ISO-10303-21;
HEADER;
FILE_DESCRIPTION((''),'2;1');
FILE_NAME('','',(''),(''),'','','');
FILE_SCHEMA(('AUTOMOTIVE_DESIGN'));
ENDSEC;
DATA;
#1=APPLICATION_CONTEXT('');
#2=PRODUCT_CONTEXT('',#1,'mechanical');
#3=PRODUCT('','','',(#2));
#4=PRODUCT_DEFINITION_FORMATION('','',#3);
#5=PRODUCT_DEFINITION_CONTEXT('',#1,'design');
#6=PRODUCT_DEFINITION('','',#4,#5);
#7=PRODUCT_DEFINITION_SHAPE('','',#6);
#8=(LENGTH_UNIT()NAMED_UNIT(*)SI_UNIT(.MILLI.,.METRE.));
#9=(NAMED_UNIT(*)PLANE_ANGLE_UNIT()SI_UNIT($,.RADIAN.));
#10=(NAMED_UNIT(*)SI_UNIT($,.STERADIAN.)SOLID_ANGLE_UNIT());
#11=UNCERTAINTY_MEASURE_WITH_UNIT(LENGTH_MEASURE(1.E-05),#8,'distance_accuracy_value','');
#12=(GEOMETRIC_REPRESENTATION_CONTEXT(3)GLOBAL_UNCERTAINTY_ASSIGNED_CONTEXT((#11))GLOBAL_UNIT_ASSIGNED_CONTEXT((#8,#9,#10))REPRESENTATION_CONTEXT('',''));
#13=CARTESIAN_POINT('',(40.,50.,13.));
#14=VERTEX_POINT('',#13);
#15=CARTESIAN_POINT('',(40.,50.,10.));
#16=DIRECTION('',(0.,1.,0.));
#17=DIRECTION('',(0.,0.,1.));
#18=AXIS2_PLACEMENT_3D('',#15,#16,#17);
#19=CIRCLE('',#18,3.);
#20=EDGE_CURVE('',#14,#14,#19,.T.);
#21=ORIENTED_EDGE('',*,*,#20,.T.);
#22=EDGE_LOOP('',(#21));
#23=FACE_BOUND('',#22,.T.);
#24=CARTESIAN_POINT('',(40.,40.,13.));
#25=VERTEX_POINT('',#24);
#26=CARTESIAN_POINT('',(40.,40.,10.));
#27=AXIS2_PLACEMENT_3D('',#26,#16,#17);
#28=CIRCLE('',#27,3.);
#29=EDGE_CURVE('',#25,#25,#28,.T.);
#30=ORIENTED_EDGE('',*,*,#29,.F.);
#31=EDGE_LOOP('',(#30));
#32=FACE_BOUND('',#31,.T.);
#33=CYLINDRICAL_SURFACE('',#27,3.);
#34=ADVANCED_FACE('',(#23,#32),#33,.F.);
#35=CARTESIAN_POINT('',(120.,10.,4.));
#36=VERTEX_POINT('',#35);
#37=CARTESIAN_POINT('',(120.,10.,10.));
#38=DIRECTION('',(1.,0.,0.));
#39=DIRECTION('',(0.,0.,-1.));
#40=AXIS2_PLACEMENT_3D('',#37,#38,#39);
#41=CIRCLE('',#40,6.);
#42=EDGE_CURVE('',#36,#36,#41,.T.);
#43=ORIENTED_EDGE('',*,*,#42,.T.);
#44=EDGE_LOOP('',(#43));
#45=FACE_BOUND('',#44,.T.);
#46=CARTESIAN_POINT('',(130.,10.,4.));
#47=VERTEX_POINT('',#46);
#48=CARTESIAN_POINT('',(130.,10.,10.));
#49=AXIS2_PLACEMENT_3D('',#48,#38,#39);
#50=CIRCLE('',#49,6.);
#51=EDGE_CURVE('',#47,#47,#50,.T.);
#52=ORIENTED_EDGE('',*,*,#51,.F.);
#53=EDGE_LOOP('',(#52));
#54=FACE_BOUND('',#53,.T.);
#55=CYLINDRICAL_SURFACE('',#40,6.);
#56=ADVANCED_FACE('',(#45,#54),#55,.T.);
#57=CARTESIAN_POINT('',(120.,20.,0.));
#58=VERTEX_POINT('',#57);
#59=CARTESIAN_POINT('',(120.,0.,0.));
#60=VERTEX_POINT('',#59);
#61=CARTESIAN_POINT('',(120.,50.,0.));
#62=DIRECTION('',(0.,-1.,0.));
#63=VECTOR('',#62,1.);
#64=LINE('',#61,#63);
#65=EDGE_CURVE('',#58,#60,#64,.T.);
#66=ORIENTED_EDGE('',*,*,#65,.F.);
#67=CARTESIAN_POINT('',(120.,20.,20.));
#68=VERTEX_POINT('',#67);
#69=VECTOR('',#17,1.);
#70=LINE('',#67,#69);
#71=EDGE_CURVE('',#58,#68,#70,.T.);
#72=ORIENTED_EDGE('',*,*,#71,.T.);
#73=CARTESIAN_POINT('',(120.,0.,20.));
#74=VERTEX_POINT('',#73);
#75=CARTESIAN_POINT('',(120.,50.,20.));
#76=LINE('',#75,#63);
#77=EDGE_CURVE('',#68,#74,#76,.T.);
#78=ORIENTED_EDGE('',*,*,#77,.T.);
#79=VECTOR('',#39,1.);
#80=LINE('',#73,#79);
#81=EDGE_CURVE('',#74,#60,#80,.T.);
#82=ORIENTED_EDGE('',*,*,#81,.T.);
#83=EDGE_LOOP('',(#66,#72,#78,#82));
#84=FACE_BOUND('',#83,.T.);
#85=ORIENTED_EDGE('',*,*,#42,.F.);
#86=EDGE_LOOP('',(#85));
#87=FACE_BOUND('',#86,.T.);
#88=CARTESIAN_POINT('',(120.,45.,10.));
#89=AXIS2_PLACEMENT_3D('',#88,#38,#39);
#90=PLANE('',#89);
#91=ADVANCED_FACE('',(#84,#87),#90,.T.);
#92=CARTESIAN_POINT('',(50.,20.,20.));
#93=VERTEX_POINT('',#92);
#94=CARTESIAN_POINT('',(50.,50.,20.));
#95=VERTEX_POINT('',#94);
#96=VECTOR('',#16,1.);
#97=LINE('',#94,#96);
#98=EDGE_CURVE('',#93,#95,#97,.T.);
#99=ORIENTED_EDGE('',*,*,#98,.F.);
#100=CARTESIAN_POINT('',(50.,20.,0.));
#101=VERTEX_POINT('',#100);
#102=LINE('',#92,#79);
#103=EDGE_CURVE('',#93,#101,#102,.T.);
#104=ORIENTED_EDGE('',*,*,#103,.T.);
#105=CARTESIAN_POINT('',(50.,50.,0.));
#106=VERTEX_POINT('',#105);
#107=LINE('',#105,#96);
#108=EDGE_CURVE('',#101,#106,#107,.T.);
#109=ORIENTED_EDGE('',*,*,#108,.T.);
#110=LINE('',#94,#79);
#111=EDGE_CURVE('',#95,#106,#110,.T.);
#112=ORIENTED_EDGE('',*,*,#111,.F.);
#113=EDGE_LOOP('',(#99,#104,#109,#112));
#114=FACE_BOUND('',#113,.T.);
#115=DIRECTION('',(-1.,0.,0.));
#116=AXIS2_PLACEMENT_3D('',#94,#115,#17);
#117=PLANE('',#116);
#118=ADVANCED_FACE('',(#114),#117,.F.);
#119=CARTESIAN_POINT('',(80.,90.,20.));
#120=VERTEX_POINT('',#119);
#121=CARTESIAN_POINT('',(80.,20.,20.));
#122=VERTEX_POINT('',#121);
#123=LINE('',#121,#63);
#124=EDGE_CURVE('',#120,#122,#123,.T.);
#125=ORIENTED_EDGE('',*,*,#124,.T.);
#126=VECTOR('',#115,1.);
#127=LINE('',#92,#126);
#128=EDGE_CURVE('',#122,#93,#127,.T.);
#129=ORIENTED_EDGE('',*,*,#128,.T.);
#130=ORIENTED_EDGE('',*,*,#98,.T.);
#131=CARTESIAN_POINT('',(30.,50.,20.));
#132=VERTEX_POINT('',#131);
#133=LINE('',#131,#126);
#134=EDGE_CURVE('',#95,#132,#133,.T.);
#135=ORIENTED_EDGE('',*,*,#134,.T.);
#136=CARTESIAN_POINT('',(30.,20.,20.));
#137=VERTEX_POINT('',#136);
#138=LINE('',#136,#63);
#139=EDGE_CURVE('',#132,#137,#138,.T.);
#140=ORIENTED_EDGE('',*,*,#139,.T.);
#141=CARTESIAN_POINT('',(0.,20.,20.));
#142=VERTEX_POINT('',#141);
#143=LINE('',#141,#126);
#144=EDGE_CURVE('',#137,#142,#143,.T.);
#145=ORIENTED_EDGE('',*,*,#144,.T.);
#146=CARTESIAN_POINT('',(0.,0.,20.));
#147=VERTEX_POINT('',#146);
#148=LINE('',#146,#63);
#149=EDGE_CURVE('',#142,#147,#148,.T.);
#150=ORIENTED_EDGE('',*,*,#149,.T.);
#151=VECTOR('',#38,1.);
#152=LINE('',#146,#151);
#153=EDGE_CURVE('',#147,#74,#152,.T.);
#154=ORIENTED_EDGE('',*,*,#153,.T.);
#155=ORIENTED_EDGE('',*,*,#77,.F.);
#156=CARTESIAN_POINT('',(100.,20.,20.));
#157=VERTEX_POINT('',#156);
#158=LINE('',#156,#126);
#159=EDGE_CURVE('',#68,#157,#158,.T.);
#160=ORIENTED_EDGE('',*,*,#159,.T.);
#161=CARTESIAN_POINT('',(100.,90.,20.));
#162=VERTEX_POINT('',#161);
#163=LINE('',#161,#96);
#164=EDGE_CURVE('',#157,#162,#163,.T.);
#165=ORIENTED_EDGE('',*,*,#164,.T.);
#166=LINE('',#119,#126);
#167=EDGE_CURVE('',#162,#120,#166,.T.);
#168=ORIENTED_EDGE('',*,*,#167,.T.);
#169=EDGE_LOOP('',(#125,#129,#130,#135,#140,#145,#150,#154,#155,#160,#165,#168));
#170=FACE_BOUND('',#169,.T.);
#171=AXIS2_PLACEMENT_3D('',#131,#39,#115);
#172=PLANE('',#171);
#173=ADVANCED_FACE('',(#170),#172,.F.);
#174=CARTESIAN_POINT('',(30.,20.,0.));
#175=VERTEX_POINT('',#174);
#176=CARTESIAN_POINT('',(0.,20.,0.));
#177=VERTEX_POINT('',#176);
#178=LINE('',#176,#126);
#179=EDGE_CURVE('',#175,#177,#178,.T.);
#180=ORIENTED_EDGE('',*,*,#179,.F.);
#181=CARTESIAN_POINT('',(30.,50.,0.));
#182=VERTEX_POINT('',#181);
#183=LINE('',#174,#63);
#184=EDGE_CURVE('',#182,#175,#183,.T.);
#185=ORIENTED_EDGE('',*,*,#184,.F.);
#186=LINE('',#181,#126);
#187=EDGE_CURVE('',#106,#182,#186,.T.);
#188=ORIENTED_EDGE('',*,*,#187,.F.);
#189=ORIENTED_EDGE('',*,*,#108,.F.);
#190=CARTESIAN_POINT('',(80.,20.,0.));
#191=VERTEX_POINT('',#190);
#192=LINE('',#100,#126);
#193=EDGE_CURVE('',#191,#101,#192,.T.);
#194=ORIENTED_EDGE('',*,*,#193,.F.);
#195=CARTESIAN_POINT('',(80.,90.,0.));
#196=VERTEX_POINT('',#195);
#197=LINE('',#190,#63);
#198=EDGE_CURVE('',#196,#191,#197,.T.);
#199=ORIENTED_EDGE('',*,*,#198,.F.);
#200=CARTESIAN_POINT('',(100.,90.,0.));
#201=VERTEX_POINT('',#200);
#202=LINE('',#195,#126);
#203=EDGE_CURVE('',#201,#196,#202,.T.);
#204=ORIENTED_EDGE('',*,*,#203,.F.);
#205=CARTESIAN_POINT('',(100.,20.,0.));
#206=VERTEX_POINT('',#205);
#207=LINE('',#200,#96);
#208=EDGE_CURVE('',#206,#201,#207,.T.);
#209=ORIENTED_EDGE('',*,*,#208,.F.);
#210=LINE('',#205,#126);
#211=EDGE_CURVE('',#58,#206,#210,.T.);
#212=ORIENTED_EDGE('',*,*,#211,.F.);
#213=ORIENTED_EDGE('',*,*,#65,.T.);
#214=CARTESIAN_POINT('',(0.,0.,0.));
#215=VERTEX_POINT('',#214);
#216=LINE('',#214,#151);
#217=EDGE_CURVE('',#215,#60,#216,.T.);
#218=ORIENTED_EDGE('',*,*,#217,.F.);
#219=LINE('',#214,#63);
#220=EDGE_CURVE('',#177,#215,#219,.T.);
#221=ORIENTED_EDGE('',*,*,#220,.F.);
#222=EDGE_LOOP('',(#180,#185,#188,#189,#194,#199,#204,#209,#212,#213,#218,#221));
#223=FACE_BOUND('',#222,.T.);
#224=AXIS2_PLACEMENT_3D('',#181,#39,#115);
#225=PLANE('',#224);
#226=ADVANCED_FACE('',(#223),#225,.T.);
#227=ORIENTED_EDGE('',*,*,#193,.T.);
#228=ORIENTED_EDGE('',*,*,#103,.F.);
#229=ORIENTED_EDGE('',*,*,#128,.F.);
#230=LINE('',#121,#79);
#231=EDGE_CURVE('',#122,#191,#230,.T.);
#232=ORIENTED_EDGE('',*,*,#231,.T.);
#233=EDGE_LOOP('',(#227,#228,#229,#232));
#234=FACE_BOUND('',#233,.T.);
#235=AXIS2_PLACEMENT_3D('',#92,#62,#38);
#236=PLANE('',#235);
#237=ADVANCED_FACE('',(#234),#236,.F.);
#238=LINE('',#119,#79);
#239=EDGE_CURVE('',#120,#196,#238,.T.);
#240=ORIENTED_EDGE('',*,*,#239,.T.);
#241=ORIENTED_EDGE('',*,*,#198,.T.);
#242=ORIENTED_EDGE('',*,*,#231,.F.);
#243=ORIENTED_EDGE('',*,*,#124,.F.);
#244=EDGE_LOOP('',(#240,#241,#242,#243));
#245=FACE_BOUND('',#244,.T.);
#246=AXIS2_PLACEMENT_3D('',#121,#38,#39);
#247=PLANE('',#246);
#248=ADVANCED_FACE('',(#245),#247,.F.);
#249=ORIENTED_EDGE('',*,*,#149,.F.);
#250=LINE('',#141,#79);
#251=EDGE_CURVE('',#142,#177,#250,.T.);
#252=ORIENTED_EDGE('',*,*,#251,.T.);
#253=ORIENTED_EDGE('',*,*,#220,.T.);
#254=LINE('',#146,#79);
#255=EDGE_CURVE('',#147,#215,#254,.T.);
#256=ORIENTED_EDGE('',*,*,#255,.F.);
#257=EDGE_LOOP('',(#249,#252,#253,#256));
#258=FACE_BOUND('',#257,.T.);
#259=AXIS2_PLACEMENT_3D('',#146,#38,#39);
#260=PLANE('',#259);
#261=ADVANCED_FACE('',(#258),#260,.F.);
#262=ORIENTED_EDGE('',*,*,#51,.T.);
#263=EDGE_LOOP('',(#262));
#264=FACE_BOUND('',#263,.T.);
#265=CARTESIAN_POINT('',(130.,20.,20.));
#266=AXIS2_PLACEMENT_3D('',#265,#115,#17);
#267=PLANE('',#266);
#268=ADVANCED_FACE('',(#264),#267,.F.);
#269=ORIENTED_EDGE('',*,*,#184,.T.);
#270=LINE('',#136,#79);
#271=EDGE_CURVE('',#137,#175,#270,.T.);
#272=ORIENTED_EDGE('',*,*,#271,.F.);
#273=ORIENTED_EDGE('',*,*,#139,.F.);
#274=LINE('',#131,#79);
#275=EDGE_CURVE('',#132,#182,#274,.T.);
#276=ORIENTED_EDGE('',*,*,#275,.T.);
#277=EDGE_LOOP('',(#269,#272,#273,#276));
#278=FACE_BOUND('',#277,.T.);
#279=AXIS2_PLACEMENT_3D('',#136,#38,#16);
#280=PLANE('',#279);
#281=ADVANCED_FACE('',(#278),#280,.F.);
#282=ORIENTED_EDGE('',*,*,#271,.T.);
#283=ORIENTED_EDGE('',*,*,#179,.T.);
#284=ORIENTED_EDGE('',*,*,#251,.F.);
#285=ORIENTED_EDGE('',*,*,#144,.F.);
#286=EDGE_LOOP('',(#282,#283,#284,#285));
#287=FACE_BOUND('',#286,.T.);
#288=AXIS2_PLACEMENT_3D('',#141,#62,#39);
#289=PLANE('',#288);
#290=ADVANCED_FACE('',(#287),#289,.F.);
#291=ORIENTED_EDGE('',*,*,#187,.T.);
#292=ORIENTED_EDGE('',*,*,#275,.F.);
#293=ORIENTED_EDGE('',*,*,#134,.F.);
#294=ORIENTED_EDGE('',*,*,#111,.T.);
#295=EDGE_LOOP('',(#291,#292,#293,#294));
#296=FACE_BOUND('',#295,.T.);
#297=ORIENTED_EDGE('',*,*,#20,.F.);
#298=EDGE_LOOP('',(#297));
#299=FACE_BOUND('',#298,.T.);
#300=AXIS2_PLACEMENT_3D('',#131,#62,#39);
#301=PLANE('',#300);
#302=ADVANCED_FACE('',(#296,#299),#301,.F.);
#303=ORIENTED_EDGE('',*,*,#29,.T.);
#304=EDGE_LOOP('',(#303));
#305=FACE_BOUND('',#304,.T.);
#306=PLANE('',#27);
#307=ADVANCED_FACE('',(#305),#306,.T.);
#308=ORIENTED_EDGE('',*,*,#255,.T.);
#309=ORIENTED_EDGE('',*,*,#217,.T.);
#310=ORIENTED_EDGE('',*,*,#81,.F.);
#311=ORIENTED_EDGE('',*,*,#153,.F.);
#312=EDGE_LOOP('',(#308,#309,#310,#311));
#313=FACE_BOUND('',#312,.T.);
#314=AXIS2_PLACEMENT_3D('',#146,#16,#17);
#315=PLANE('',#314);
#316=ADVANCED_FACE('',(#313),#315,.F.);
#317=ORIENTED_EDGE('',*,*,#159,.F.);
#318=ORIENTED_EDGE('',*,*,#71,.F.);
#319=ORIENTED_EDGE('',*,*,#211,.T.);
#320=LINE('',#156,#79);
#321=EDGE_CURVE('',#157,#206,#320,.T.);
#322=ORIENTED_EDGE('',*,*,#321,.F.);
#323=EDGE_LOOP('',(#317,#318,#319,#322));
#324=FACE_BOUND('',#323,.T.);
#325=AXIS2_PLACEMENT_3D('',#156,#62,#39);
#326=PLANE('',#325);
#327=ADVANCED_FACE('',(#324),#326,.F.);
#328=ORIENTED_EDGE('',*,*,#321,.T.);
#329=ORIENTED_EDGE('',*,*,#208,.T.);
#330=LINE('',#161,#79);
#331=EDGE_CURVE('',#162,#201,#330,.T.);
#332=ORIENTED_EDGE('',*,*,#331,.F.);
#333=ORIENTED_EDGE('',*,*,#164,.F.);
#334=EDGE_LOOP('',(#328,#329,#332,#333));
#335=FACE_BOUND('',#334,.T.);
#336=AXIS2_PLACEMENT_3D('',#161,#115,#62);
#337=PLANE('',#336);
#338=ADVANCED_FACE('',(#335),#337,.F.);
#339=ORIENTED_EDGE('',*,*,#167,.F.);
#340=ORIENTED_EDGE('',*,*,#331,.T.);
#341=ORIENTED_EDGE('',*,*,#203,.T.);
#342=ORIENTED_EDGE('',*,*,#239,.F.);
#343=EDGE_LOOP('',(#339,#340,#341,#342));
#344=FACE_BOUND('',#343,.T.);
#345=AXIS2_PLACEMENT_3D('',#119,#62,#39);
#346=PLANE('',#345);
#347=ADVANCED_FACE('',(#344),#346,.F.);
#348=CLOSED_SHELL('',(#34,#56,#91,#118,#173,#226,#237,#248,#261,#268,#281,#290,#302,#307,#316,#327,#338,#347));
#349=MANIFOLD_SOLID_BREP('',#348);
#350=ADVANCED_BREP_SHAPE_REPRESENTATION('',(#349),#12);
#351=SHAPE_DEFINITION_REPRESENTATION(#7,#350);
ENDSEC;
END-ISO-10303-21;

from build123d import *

# Parameters (mm, degrees)
EXTRUDE1_DEPTH     = 20
SKETCH2_R          = 3
CUT_EXTRUDE2_DEPTH = 10
SKETCH3_OUTSIDE_W  = 53.874
SKETCH3_OUTSIDE_H  = 123.874
SKETCH3_OUTSIDE_R  = 6
CUT_EXTRUDE3_DEPTH = 10


with BuildPart() as part:
    # Sketch1 → Extrude1 (new body)
    with BuildSketch(Plane.XY):
        Polygon((30, 50), (50, 50), (50, 20), (80, 20), (80, 90), (100, 90), (100, 20), (130, 20), (130, 0), (0, 0), (0, 20), (30, 20), align=None)
    extrude(amount=EXTRUDE1_DEPTH)

    # Sketch2 → Cut-Extrude2 (cut)
    with BuildSketch(Plane(origin=(0, 50, 0), x_dir=(-1, 0, 0), z_dir=(0, 1, 0))):
        with Locations(Location((-40, 10, 0), (0, 0, 90))):  # turned: the seam where the file's is
            Circle(SKETCH2_R)
    extrude(amount=-CUT_EXTRUDE2_DEPTH, mode=Mode.SUBTRACT)

    # Sketch3 outside → Cut-Extrude3 (cut)
    with BuildSketch(Plane(origin=(130, 0, 0), x_dir=(0, 0, -1), z_dir=(1, 0, 0))):
        with Locations((-10, 45)):
            Rectangle(SKETCH3_OUTSIDE_W, SKETCH3_OUTSIDE_H)
        with Locations((-10, 10)):
            Circle(SKETCH3_OUTSIDE_R, mode=Mode.SUBTRACT)
    extrude(amount=-CUT_EXTRUDE3_DEPTH, mode=Mode.SUBTRACT)


solid = part.part
